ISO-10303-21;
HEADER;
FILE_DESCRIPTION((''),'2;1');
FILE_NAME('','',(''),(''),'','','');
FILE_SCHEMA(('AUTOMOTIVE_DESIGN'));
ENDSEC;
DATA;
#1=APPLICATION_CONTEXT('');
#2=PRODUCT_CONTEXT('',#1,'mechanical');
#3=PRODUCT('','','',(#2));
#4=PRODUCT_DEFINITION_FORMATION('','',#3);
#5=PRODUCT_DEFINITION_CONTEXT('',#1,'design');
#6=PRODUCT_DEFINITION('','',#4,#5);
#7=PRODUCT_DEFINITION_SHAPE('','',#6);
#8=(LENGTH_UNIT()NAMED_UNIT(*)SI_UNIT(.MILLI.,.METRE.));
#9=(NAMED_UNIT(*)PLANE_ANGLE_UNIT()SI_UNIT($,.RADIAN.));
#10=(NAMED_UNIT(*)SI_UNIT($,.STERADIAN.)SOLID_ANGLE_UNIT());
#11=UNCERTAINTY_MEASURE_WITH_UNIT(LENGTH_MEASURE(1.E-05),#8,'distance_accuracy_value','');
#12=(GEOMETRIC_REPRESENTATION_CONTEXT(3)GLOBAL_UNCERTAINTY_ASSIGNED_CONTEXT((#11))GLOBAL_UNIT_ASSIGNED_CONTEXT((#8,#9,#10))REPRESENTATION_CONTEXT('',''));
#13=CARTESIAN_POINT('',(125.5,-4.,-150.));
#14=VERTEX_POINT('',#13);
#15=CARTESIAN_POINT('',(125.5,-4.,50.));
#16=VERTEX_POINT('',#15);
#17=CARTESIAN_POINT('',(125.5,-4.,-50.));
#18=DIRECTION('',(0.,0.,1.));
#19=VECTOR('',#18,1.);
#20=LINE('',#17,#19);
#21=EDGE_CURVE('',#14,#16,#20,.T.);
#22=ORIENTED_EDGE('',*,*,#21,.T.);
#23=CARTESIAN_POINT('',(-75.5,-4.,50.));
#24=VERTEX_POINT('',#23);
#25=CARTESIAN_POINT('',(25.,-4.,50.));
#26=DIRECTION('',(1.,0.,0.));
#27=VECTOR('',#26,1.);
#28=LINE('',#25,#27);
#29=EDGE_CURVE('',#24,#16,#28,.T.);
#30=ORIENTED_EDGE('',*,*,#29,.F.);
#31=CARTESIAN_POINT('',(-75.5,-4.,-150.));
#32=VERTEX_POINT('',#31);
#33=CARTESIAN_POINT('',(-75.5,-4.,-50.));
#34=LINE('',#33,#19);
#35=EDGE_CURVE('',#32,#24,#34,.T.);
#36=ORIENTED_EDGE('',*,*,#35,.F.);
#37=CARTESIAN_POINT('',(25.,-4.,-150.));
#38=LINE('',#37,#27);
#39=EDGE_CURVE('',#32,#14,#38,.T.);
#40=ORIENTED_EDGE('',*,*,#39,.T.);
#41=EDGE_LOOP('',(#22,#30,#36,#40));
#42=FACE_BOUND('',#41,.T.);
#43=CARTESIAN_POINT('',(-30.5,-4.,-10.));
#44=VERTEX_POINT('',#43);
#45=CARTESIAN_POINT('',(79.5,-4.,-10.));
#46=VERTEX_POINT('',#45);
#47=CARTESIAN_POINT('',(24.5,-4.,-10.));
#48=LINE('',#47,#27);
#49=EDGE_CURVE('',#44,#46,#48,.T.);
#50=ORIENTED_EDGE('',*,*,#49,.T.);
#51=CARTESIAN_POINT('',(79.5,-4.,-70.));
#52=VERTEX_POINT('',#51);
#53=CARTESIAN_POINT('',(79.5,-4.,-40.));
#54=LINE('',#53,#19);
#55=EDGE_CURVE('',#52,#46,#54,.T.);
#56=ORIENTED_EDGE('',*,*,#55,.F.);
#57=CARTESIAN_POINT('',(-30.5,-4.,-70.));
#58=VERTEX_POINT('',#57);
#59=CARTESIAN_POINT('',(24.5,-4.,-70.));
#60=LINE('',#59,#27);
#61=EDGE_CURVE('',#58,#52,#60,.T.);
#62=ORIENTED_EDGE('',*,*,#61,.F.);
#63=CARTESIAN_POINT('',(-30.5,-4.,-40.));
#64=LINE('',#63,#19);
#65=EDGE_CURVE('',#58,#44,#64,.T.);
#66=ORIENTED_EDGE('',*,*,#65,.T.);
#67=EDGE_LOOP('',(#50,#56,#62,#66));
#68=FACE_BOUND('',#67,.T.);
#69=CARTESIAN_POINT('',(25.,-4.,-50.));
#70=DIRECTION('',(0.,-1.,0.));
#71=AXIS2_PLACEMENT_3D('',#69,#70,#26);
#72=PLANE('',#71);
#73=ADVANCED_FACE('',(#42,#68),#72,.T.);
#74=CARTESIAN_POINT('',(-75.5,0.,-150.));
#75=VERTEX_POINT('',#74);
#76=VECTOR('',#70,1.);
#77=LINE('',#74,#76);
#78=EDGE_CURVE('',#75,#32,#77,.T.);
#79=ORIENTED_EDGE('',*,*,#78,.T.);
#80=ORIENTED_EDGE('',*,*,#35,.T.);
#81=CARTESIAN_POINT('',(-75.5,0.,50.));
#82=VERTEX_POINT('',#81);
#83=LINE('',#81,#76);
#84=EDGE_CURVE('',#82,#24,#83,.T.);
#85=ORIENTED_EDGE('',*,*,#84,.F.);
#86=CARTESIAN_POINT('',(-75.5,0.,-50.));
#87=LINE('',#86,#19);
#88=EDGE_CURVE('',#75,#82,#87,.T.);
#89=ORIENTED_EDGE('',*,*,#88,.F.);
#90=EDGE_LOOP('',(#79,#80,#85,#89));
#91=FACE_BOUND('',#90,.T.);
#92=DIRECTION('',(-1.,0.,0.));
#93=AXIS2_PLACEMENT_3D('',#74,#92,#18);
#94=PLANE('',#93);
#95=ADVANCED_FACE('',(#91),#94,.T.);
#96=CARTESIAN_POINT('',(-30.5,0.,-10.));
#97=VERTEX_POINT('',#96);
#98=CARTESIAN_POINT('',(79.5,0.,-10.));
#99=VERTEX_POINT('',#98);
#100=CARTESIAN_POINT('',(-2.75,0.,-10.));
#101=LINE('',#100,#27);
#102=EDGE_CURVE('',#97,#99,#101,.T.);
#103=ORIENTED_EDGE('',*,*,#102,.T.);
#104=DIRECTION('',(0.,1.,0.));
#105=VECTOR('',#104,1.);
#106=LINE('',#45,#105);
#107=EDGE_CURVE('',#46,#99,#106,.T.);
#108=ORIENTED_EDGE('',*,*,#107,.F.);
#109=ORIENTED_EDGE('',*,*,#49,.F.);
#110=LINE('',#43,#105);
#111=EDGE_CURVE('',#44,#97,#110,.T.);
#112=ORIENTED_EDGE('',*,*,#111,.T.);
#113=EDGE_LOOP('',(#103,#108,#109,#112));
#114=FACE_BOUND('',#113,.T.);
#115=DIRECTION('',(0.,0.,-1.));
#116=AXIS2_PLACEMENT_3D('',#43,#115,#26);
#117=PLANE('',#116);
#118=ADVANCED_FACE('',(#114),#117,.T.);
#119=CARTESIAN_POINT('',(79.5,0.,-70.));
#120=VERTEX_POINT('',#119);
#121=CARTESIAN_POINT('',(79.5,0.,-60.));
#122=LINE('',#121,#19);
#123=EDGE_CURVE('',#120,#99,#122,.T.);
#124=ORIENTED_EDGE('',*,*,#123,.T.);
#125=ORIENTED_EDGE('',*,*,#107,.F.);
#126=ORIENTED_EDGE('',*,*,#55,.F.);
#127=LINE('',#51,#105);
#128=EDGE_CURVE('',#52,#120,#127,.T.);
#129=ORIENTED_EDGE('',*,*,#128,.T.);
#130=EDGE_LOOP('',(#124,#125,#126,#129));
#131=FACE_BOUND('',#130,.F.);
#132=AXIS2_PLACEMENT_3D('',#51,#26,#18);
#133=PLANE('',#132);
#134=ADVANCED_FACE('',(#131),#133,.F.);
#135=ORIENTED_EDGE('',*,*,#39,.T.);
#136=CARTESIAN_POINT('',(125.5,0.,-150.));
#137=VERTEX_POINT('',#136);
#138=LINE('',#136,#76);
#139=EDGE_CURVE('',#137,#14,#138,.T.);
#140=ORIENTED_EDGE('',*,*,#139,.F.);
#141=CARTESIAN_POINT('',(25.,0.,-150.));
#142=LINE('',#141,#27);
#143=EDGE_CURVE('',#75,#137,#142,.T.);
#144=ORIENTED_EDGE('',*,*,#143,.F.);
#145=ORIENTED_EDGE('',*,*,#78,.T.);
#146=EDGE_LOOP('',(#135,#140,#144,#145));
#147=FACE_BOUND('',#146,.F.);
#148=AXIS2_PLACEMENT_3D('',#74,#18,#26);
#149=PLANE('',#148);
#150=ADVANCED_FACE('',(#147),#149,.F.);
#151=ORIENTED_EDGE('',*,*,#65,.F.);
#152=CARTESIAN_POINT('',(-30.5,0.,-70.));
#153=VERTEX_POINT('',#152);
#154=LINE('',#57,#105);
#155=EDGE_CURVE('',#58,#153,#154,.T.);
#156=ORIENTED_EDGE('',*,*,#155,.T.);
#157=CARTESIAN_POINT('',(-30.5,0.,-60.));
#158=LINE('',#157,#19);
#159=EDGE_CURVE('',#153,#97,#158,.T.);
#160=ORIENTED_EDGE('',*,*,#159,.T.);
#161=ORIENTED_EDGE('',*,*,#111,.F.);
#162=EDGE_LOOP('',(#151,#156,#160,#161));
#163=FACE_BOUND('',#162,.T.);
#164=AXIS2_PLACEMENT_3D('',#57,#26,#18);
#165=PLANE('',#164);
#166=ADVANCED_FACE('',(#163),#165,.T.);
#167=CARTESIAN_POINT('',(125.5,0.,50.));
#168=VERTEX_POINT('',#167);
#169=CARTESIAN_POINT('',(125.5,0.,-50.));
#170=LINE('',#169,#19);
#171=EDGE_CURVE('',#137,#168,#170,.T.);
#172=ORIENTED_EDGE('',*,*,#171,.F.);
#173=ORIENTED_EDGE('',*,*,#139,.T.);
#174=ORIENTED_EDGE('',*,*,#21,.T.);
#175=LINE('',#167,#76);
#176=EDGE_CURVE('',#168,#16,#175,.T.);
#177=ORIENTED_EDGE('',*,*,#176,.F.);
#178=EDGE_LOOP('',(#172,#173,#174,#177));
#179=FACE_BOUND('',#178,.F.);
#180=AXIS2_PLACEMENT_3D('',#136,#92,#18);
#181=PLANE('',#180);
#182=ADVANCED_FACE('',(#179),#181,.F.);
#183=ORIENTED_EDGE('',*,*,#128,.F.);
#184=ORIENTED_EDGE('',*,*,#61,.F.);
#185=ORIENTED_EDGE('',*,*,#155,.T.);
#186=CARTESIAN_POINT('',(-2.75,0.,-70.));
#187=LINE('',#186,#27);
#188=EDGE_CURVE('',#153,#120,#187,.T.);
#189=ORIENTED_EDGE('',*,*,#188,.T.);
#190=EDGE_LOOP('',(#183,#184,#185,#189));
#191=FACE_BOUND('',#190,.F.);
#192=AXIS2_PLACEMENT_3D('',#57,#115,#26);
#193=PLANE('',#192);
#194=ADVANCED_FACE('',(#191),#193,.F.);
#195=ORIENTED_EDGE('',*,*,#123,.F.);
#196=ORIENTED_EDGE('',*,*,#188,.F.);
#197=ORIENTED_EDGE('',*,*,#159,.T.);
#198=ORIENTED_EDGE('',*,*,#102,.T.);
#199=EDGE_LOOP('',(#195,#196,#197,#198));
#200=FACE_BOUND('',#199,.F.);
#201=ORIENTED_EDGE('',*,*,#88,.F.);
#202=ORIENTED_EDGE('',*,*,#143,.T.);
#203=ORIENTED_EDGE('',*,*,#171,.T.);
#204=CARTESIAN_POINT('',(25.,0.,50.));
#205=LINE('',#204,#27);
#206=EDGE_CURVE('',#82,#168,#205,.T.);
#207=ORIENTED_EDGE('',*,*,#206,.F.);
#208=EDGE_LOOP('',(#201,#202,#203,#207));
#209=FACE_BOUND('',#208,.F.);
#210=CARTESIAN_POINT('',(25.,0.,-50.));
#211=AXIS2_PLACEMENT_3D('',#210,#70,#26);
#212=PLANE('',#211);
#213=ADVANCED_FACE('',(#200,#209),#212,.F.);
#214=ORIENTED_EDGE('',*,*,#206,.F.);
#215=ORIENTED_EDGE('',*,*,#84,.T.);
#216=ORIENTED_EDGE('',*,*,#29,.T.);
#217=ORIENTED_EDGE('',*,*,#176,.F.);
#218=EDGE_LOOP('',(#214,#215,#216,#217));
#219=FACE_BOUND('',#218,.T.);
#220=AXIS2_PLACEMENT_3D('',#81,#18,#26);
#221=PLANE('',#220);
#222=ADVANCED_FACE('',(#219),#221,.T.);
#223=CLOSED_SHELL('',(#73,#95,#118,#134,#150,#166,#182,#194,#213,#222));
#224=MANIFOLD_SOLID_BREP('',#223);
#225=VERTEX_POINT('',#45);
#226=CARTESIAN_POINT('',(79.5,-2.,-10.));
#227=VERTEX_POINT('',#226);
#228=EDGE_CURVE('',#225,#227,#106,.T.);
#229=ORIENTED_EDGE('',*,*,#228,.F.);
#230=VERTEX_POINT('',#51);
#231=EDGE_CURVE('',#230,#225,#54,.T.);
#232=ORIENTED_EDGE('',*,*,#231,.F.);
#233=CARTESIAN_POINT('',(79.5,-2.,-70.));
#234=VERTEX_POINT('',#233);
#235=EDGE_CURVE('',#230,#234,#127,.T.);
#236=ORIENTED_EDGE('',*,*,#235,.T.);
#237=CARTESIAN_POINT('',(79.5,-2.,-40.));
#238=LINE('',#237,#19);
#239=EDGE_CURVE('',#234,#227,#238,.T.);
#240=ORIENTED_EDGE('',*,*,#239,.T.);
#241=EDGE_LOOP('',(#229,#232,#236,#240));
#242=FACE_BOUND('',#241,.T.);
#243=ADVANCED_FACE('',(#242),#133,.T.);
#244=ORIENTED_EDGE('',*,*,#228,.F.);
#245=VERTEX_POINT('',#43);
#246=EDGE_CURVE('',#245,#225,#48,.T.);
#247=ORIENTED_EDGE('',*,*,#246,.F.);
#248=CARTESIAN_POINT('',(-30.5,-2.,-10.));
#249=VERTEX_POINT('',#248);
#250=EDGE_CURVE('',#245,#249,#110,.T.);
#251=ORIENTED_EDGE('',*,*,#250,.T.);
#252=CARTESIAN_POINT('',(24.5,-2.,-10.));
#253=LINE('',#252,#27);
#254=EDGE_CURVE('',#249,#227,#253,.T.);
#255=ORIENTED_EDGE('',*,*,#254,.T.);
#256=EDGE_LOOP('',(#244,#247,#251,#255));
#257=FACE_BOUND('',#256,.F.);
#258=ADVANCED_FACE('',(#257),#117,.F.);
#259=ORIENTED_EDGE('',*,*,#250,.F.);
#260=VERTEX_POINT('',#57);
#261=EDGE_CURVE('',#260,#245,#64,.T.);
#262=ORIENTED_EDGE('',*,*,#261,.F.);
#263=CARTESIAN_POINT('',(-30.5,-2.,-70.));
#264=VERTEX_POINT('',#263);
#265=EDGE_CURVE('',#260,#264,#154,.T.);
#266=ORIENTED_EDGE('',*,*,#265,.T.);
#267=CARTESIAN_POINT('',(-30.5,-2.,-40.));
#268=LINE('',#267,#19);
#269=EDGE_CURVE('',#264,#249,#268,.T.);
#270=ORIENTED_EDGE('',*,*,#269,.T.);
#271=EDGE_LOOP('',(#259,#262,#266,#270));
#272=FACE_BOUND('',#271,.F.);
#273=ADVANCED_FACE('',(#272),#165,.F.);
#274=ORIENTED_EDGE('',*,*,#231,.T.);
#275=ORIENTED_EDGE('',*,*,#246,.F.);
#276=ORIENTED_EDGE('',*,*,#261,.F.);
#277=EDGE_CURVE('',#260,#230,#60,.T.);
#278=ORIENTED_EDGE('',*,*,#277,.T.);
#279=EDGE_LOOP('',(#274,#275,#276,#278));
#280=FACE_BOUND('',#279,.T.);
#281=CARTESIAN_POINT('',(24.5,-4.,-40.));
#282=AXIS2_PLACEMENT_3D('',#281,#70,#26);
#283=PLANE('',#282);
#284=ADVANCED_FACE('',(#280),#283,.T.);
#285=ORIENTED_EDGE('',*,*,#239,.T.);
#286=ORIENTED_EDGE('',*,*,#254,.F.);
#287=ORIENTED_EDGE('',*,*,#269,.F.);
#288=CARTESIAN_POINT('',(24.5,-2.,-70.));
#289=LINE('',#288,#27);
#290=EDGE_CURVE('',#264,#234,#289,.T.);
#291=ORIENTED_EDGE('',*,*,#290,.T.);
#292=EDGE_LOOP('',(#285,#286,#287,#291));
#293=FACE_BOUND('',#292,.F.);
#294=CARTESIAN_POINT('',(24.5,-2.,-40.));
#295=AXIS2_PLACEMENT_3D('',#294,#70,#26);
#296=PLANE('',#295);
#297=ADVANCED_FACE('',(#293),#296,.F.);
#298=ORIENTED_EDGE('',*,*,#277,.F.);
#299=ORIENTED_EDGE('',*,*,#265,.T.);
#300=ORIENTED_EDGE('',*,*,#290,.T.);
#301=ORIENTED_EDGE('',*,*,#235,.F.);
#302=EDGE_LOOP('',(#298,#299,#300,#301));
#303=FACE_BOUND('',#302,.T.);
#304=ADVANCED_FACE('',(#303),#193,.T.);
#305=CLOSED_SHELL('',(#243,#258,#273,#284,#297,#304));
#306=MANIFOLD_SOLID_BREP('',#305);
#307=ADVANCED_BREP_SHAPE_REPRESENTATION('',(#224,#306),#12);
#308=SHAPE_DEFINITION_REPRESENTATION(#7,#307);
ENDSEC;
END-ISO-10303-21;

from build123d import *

# Parameters (mm, degrees)
F0_W     = 201
F0_H     = 200
F1_DEPTH = 4
F2_W     = 110
F2_H     = 60
F3_DEPTH = 25
F4_W     = 110
F4_H     = 60
F5_DEPTH = 2


with BuildPart() as f1:
    # F0 (on Front) → F1 (new body)
    with BuildSketch(Plane.XZ):
        with Locations((25, -50)):
            Rectangle(F0_W, F0_H)
    extrude(amount=F1_DEPTH)

    # F2 (on face) → F3 (cut)
    with BuildSketch(Plane.XZ.offset(4)):
        with Locations((24.5, -40)):
            Rectangle(F2_W, F2_H)
    extrude(amount=-F3_DEPTH, mode=Mode.SUBTRACT)


with BuildPart() as f5:
    # F4 (on face) → F5 (new body)
    with BuildSketch(Plane.XZ.offset(4)):
        with Locations((24.5, -40)):
            Rectangle(F4_W, F4_H)
    extrude(amount=-F5_DEPTH)


solid = Compound([f1.part, f5.part])
